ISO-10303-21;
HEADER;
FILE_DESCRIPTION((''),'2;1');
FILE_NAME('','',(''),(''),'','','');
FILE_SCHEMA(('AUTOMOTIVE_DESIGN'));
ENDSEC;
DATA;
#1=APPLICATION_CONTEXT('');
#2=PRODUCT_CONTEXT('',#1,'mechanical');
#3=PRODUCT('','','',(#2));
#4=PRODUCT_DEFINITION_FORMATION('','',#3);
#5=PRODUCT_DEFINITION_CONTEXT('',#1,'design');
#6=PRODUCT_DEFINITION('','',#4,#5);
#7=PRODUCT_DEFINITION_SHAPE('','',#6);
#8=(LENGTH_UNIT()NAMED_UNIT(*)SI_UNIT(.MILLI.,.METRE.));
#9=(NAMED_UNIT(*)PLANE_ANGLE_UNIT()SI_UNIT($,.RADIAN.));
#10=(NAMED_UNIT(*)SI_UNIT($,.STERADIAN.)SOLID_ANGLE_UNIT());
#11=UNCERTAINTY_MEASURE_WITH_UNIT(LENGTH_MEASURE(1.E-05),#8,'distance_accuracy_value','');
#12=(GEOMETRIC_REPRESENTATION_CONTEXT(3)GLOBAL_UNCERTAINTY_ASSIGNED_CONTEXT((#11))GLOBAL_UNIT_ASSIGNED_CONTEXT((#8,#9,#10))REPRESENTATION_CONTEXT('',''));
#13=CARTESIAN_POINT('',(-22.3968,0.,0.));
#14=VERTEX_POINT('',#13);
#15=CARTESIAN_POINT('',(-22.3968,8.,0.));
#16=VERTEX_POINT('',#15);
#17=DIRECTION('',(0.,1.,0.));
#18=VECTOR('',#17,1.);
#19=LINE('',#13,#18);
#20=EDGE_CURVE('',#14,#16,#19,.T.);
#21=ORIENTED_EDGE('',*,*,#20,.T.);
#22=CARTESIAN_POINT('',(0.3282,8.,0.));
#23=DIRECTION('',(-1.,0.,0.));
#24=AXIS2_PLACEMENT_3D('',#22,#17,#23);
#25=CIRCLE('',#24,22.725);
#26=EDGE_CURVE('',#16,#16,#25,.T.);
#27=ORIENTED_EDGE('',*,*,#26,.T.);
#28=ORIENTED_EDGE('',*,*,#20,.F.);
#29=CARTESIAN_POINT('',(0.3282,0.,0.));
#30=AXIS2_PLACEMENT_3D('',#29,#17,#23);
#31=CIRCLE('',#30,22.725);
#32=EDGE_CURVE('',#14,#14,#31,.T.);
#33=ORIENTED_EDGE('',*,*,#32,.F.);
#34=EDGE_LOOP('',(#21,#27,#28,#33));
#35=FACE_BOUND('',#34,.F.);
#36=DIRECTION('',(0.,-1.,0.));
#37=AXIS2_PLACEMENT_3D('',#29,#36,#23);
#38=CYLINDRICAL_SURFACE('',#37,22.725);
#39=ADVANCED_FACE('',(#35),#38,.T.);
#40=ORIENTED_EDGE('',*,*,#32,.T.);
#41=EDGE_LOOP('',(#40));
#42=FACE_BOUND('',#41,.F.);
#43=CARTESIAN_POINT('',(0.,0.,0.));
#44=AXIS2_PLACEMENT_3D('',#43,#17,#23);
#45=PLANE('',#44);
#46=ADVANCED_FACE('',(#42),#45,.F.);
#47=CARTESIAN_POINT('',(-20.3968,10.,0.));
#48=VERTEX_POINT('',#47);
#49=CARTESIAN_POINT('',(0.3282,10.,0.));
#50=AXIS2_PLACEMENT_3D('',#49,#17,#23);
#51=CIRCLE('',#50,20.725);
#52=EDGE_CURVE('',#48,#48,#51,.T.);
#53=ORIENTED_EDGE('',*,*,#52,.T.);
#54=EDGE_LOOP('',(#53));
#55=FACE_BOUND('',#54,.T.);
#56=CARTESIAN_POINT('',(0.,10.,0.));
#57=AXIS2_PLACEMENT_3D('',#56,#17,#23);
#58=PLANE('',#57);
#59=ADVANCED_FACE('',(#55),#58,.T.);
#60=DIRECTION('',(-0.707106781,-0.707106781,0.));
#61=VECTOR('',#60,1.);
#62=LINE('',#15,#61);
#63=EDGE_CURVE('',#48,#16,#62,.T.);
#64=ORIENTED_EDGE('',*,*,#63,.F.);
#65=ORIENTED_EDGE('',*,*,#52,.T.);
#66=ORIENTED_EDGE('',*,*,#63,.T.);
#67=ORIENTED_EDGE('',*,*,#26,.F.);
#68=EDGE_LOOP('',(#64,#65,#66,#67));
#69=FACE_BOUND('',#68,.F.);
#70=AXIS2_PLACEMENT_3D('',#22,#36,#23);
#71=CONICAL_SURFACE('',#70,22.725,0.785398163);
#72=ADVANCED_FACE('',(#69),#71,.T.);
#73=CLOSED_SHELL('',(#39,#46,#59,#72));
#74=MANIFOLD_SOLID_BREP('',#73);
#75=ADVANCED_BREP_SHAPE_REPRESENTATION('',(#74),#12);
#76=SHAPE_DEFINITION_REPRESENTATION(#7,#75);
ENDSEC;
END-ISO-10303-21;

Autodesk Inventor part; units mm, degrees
ref_plane "YZ Plane" through (0, 0, 0) normal (1, 0, 0) x (0, 1, 0)
ref_plane "XZ Plane" through (0, 0, 0) normal (0, 1, 0) x (-1, 0, 0)
ref_plane "XY Plane" through (0, 0, 0) normal (0, 0, 1) x (1, 0, 0)
sketch "Sketch1" plane through (0, 0, 0) normal (0, 1, 0) x (-1, 0, 0)
  circle A0 centre (-0.3282, 0) radius 22.725
  point P0 (0, 0)
extrude "Extrusion1" add sketch "Sketch1" along normal blind 10
chamfer "Chamfer1" distance 2 distance2 2 1 edges at (23.0531, 10, 0) measured on face at (3.0143, 10, 7.0827)
properties part number "Tapon interno"
